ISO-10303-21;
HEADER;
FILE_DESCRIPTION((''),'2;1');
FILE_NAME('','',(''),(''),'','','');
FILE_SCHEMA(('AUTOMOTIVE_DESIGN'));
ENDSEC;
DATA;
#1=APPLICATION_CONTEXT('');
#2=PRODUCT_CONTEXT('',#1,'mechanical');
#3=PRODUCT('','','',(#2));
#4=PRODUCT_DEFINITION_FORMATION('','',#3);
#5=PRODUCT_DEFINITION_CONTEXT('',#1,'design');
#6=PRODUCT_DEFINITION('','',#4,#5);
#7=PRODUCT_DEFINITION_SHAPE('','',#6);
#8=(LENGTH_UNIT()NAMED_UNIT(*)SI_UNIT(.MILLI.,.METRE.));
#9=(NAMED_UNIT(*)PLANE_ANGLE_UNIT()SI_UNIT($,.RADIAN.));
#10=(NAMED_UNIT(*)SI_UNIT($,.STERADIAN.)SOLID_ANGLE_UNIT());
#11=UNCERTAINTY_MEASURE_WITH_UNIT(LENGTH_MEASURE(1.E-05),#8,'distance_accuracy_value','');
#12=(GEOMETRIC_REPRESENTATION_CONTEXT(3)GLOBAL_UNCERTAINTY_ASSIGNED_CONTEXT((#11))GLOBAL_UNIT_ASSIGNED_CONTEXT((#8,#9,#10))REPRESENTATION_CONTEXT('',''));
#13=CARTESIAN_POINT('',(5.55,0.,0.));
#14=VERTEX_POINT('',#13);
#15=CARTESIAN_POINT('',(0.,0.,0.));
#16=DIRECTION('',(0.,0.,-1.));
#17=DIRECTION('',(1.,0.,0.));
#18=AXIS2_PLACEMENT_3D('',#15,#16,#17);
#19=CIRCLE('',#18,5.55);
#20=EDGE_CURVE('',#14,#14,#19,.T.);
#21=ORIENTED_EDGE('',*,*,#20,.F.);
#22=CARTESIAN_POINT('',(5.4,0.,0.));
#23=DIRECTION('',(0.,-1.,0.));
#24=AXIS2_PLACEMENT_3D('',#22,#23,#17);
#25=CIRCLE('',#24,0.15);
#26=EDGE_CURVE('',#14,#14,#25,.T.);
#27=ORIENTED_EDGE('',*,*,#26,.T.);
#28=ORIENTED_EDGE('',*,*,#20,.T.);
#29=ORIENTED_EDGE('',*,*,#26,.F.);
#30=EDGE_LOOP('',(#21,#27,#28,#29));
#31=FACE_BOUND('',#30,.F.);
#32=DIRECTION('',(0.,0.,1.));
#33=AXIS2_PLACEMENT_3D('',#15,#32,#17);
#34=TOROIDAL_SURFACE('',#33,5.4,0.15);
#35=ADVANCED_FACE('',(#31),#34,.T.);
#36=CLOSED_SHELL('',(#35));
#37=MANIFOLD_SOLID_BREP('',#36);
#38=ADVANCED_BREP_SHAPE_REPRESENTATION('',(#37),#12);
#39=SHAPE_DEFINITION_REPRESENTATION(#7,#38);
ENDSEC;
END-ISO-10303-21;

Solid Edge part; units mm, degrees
sketch "Sketch1" plane through (0, 0, 0) normal (0, -1, 0) x (1, 0, 0)
  circle A0 centre (5.4, 0) radius 0.15
  dimension "D1" = 5.4
revolve "RevolvedProtrusion1" add sketch "Sketch1" angle 360 about axis through (0, 0, 54) along (0, 0, -1)
